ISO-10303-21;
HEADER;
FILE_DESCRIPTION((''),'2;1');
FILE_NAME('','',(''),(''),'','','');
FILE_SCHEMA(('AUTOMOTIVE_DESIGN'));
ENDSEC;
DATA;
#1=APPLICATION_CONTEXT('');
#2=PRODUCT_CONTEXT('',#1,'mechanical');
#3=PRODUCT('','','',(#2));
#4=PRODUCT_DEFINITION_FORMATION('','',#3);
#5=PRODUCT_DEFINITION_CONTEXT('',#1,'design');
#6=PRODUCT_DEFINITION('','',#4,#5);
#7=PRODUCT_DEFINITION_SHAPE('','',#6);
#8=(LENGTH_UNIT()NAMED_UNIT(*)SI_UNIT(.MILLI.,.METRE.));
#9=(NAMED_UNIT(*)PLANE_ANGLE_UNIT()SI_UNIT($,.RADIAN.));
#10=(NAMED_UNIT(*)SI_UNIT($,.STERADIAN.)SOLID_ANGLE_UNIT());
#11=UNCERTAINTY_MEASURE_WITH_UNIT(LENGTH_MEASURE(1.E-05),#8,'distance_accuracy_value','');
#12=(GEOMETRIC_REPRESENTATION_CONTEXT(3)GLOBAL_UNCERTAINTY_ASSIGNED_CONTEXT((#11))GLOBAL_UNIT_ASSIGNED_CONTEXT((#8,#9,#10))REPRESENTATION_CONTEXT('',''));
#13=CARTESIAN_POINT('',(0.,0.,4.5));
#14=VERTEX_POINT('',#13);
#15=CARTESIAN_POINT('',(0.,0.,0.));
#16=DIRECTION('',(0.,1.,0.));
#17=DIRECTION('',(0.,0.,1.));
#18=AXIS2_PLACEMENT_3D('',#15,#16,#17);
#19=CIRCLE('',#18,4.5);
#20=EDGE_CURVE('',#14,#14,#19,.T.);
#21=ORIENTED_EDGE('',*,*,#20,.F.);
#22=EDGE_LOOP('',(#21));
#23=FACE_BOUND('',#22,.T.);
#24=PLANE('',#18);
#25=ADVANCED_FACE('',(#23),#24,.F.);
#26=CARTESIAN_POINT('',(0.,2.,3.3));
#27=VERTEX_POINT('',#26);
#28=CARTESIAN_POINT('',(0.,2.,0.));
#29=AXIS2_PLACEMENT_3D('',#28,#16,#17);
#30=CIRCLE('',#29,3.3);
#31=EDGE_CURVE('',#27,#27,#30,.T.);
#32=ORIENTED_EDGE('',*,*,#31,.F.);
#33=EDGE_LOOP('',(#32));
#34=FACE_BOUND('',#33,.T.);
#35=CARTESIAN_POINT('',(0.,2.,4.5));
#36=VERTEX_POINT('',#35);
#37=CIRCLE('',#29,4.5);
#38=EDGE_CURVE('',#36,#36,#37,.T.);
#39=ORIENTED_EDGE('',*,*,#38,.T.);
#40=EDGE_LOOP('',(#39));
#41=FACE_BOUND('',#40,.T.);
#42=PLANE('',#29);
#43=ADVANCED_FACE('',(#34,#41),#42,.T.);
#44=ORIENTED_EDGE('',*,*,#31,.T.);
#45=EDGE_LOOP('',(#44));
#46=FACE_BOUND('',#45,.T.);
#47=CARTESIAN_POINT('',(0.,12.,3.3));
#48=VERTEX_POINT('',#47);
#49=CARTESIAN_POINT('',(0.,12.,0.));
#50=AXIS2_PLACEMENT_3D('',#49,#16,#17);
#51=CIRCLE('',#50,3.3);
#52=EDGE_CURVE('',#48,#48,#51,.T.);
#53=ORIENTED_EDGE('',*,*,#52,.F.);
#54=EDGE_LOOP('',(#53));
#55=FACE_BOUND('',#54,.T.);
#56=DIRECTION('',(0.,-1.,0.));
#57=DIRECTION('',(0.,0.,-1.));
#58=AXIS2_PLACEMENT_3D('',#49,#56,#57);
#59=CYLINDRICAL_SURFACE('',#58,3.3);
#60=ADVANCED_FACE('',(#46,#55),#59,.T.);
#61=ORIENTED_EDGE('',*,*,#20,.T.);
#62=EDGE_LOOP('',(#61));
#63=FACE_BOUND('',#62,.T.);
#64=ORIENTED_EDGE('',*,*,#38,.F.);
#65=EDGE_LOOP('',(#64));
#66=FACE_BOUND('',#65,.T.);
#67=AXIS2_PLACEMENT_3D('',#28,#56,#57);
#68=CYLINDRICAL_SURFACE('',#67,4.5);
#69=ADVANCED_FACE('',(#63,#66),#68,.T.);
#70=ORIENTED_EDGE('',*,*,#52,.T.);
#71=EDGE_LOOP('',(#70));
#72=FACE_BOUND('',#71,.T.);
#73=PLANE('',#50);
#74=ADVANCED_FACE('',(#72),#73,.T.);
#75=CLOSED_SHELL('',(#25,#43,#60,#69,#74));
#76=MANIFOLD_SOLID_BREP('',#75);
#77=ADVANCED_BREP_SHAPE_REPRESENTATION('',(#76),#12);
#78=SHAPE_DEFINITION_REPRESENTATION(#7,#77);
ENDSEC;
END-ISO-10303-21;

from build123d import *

# Parameters (mm, degrees)
SKETCH1_R           = 3.3
BOSS_EXTRUDE1_DEPTH = 12
SKETCH1_3_R         = 4.5
SKETCH1_3_R_2       = 3.3
BOSS_EXTRUDE2_DEPTH = 2


with BuildPart() as part:
    # Sketch1 → Boss-Extrude1 (new body)
    with BuildSketch(Plane(origin=(0, 0, 0), x_dir=(1, 0, 0), z_dir=(0, 1, 0))):
        Circle(SKETCH1_R)
    extrude(amount=BOSS_EXTRUDE1_DEPTH)

    # Sketch1<3> → Boss-Extrude2 (add)
    with BuildSketch(Plane(origin=(0, 0, 0), x_dir=(1, 0, 0), z_dir=(0, 1, 0))):
        Circle(SKETCH1_3_R)
        Circle(SKETCH1_3_R_2, mode=Mode.SUBTRACT)
    extrude(amount=BOSS_EXTRUDE2_DEPTH)


solid = part.part
